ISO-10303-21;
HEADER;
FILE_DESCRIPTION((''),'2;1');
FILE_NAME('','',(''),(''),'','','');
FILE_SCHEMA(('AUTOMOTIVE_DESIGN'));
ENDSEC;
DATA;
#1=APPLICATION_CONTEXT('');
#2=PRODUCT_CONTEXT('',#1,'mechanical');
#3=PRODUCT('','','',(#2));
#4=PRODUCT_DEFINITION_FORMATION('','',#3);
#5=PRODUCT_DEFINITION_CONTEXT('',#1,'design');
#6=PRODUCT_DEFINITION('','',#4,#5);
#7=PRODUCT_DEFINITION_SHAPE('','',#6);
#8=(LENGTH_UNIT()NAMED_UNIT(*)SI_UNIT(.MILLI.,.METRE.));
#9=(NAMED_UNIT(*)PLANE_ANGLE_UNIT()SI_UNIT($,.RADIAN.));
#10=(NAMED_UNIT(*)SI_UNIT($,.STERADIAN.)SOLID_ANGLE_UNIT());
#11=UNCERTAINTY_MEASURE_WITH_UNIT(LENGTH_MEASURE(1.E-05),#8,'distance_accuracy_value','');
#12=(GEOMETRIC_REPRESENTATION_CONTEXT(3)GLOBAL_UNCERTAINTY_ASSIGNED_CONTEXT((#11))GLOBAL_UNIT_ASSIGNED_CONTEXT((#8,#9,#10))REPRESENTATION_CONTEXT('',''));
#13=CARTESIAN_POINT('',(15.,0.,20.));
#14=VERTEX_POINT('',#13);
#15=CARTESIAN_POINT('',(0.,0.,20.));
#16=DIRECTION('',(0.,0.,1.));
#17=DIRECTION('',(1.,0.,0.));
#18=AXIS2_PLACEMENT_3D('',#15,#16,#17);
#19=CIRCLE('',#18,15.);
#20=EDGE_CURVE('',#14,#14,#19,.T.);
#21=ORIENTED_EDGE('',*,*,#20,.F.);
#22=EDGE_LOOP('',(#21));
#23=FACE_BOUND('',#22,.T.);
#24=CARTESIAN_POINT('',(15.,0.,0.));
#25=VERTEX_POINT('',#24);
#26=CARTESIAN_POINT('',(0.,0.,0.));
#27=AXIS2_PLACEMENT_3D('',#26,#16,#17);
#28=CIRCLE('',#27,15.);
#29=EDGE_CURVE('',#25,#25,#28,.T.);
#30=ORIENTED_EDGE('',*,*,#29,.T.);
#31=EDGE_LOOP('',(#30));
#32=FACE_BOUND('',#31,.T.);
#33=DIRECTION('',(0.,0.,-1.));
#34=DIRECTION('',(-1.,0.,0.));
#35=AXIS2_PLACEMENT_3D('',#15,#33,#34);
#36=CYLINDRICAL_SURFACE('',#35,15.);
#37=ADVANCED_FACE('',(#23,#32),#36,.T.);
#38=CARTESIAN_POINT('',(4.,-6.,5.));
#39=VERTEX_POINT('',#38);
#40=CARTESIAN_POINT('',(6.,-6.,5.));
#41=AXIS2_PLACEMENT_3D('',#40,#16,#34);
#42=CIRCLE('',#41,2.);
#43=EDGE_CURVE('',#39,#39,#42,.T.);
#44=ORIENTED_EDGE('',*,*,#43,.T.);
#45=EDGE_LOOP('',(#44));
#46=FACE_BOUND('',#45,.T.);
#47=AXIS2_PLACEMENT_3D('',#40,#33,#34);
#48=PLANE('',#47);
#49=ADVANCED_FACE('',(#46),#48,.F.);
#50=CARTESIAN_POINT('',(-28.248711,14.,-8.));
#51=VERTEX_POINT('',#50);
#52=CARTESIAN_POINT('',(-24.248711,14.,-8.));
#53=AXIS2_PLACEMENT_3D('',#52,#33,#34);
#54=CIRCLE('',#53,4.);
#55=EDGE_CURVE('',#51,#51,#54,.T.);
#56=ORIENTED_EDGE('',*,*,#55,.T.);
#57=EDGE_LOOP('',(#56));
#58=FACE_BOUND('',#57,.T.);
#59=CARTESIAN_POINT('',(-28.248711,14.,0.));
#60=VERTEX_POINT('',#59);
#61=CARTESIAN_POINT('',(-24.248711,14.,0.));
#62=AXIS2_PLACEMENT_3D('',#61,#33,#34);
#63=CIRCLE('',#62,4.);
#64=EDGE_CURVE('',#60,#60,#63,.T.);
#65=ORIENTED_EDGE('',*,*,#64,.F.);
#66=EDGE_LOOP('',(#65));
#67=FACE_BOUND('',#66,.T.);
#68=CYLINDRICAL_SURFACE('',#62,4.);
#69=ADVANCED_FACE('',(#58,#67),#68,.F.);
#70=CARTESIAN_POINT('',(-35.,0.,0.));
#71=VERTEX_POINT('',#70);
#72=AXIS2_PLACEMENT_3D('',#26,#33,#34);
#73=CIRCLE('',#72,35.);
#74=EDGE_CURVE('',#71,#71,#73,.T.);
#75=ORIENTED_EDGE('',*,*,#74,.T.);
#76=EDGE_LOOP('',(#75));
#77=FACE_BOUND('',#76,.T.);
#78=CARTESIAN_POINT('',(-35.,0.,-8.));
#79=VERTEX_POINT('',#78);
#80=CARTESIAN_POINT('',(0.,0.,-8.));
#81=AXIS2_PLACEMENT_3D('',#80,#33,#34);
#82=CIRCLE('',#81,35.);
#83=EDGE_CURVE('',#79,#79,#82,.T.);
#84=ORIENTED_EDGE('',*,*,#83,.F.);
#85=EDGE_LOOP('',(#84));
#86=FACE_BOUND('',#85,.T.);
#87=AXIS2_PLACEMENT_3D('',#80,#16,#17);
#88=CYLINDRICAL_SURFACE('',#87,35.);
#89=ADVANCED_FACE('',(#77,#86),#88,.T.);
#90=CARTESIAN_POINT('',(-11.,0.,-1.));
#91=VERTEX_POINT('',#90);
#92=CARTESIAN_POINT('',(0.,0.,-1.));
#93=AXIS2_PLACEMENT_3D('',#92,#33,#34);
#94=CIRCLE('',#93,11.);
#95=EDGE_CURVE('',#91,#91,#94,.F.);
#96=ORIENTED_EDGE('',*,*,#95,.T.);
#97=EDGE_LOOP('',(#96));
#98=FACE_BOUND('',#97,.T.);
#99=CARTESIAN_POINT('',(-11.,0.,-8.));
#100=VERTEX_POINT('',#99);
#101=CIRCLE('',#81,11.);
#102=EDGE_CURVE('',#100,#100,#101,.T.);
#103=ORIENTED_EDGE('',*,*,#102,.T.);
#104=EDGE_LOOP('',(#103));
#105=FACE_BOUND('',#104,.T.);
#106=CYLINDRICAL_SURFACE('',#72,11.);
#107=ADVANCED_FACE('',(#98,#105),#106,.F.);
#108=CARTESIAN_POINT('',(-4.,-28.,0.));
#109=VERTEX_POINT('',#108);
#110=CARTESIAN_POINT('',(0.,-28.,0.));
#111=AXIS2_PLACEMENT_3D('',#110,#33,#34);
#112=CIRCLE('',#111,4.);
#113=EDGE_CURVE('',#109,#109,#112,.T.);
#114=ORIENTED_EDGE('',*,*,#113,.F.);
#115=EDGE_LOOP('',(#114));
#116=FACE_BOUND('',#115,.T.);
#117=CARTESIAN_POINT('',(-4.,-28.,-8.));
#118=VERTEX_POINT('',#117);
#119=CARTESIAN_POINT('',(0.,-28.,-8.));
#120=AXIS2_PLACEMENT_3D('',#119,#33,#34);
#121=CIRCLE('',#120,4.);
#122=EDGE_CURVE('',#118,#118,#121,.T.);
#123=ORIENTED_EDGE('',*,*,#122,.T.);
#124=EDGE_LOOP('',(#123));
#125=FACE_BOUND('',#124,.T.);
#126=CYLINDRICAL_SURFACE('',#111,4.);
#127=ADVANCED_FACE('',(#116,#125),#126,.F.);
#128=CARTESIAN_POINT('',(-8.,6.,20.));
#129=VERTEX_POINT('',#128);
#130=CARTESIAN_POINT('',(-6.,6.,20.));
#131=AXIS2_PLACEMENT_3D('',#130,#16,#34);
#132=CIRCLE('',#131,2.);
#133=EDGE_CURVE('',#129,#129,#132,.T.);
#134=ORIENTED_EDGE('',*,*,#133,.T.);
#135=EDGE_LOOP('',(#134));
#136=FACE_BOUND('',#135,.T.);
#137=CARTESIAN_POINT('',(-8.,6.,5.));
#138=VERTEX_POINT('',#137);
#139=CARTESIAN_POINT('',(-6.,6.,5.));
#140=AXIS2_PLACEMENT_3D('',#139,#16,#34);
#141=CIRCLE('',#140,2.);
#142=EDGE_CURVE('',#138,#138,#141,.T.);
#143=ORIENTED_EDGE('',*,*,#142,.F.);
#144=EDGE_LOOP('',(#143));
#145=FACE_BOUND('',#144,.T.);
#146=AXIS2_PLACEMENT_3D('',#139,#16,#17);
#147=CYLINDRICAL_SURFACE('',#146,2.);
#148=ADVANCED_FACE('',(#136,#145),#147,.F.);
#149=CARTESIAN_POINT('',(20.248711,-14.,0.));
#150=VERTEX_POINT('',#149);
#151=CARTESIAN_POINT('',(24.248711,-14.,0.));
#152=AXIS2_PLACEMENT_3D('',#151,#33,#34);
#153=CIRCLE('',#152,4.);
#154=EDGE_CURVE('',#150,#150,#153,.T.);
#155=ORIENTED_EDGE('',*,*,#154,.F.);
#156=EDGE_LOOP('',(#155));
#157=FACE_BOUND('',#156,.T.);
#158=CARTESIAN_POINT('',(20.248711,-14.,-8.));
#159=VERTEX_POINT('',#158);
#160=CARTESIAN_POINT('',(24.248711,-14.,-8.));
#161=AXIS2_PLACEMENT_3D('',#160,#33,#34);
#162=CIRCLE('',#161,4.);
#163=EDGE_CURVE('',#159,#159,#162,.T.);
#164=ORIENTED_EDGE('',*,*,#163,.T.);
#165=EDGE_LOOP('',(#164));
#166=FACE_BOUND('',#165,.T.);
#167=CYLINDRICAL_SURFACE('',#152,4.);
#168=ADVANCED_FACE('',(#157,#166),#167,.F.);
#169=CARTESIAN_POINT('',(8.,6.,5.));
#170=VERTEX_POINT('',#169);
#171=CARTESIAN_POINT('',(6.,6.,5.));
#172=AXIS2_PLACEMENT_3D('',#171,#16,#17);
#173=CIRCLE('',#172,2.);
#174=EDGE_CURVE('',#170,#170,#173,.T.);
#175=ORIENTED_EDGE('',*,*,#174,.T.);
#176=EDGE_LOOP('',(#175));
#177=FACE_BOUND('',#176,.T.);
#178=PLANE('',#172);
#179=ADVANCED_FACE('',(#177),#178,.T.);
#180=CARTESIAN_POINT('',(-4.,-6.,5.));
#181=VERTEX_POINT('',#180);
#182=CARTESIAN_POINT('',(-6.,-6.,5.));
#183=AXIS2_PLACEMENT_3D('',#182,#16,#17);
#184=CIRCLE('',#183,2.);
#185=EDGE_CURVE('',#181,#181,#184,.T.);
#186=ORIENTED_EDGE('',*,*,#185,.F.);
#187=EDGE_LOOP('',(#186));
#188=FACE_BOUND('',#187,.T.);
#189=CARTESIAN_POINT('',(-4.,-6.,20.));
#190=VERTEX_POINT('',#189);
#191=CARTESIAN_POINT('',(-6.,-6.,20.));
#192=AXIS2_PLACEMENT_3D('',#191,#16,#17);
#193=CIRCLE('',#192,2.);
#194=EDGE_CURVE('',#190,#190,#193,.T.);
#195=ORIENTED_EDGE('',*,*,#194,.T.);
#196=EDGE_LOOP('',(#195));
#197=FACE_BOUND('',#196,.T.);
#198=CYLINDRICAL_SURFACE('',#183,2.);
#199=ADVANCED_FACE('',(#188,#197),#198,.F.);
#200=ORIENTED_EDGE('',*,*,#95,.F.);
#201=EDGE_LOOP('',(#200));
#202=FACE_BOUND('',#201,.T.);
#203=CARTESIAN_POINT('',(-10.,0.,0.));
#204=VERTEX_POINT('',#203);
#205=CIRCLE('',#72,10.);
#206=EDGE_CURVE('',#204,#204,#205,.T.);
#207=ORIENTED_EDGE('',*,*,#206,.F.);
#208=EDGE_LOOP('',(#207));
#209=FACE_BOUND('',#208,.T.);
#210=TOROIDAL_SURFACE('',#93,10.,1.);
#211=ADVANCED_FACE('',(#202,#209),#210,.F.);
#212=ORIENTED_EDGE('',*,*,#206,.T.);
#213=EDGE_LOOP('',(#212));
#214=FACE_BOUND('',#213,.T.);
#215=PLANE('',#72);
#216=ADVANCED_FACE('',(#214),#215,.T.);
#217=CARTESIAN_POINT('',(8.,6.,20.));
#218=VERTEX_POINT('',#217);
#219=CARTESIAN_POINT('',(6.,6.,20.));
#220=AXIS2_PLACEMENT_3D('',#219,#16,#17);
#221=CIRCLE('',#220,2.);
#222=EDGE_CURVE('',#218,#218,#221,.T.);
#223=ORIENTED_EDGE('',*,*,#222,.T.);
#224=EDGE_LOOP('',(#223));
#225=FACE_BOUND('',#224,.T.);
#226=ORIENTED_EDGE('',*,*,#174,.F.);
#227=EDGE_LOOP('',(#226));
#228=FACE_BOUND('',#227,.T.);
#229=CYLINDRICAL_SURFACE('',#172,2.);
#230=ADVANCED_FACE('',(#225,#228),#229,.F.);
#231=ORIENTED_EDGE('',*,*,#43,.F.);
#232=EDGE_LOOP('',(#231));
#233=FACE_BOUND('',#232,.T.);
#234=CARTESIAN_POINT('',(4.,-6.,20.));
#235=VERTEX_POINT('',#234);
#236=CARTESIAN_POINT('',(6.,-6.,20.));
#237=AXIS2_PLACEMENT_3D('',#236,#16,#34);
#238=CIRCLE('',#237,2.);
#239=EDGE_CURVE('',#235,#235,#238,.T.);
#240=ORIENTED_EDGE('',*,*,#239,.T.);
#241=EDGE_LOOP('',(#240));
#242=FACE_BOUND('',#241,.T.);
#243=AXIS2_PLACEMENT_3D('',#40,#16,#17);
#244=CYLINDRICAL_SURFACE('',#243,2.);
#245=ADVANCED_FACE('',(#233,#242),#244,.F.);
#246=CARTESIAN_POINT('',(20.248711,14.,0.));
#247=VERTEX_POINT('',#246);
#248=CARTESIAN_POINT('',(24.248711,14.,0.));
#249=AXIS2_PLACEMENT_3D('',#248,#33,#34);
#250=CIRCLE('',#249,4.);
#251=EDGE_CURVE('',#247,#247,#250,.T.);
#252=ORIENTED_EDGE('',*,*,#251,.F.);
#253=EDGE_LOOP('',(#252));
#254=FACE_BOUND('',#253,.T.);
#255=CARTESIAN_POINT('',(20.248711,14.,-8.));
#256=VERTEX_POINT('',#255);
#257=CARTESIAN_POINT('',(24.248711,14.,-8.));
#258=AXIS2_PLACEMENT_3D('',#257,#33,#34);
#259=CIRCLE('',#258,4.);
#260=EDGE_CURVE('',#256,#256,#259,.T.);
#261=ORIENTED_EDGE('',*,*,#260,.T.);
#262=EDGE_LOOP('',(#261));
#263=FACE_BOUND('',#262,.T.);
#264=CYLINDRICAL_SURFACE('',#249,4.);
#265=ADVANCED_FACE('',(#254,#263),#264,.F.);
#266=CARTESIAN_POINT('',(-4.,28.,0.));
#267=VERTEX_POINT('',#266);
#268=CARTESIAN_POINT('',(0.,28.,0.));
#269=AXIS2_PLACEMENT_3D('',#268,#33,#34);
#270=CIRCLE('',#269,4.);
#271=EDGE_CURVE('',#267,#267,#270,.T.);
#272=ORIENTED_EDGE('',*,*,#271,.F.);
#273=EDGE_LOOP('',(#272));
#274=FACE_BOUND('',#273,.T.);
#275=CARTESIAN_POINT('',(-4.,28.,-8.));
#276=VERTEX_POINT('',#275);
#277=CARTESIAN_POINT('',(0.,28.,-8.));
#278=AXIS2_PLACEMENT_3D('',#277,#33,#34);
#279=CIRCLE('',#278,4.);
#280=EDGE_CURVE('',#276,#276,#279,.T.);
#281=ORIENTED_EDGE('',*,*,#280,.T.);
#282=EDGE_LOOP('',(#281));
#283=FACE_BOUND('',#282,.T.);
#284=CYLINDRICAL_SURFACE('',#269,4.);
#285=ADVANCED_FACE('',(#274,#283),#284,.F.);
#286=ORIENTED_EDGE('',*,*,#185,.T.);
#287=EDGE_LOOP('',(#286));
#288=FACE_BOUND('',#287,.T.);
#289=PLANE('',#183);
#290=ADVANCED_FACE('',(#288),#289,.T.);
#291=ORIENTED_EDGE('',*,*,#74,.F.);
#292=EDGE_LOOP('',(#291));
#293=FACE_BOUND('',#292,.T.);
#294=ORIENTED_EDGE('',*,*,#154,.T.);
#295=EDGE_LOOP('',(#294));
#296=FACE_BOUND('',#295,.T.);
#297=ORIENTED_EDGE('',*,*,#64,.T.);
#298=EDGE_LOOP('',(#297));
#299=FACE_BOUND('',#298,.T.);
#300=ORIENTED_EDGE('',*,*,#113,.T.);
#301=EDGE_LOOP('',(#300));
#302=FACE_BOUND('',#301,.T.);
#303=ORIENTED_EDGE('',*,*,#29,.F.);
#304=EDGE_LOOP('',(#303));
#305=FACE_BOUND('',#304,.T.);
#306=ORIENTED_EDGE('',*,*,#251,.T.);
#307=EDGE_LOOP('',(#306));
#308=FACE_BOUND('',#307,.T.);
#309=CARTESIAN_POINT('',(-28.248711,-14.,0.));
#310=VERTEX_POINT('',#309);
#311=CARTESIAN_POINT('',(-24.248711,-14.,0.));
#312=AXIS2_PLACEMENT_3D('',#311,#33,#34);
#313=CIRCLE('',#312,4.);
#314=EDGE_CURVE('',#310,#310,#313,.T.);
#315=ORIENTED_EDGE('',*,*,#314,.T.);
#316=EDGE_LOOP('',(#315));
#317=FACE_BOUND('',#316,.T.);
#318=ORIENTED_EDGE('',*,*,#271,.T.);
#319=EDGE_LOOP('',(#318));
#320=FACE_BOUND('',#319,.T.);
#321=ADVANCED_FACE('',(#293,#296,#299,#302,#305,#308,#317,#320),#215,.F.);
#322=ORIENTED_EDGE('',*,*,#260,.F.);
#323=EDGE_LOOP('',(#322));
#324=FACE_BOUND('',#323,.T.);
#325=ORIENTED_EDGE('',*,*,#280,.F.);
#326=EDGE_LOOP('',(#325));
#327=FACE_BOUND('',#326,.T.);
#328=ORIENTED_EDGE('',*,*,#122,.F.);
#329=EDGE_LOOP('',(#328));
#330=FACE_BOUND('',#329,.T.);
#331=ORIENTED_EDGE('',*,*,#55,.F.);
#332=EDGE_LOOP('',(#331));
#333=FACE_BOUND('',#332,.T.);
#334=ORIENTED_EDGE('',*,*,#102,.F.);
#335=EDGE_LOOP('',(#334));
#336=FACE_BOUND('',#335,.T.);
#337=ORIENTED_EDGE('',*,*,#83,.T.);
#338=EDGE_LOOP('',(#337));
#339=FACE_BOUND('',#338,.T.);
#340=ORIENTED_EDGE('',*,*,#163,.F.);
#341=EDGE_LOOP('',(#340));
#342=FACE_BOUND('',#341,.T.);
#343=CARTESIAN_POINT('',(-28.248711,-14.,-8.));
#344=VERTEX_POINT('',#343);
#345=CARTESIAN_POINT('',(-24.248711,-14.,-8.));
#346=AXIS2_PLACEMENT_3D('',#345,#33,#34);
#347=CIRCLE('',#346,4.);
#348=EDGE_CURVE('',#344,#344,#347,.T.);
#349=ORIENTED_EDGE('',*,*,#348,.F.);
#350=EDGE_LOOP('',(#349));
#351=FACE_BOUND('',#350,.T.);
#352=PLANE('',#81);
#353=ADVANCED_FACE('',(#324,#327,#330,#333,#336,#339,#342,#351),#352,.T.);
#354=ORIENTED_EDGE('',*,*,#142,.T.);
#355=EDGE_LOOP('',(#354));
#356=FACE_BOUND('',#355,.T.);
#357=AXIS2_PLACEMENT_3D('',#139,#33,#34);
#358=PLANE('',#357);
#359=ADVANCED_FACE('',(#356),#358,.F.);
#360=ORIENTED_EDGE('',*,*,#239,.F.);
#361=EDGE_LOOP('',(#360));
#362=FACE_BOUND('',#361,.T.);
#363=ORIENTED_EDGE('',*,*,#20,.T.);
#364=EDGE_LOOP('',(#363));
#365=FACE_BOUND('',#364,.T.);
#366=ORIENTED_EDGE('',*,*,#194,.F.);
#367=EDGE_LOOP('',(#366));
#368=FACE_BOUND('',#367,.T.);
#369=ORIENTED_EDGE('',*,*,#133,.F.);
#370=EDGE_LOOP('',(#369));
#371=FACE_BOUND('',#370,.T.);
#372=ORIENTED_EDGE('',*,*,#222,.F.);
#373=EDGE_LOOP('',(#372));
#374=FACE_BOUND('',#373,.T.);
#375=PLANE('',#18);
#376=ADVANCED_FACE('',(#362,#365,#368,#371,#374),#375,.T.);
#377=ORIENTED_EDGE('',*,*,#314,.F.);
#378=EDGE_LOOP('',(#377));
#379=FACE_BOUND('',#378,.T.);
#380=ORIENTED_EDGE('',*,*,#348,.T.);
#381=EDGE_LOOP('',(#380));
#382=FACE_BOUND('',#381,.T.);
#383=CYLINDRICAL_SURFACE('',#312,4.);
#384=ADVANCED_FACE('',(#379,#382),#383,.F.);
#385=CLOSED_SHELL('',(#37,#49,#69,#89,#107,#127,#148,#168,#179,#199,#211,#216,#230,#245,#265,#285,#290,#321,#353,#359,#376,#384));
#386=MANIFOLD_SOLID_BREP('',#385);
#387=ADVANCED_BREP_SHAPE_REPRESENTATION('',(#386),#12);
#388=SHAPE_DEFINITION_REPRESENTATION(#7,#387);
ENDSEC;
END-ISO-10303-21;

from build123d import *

# Parameters (mm, degrees)
SKETCH1_R           = 15
BOSS_EXTRUDE1_DEPTH = 20
SKETCH3_R           = 35
BOSS_EXTRUDE3_DEPTH = 8
SKETCH4_R           = 4
CUT_EXTRUDE1_DEPTH  = 8
SKETCH5_R           = 11
CUT_EXTRUDE2_DEPTH  = 8
SKETCH6_R           = 2
CUT_EXTRUDE3_DEPTH  = 15
FILLET1_R           = 1


with BuildPart() as part:
    # Sketch1 → Boss-Extrude1 (new body)
    with BuildSketch(Plane.XY):
        Circle(SKETCH1_R)
    extrude(amount=BOSS_EXTRUDE1_DEPTH)

    # Sketch3 → Boss-Extrude3 (add)
    with BuildSketch(Plane(origin=(0, 0, 0), x_dir=(-1, 0, 0), z_dir=(0, 0, -1))):
        Circle(SKETCH3_R)
    extrude(amount=BOSS_EXTRUDE3_DEPTH)

    # Sketch4 → Cut-Extrude1 (cut)
    with BuildSketch(Plane(origin=(0, 0, -8), x_dir=(-1, 0, 0), z_dir=(0, 0, -1))):
        with Locations((0, 28)):
            Circle(SKETCH4_R)
        with Locations((24.248711306, 14)):
            Circle(SKETCH4_R)
        with Locations((24.248711306, -14)):
            Circle(SKETCH4_R)
        with Locations((0, -28)):
            Circle(SKETCH4_R)
        with Locations((-24.248711306, -14)):
            Circle(SKETCH4_R)
        with Locations((-24.248711306, 14)):
            Circle(SKETCH4_R)
    extrude(amount=-CUT_EXTRUDE1_DEPTH, mode=Mode.SUBTRACT)

    # Sketch5 → Cut-Extrude2 (cut)
    with BuildSketch(Plane(origin=(0, 0, -8), x_dir=(-1, 0, 0), z_dir=(0, 0, -1))):
        Circle(SKETCH5_R)
    extrude(amount=-CUT_EXTRUDE2_DEPTH, mode=Mode.SUBTRACT)

    # Sketch6 → Cut-Extrude3 (cut)
    with BuildSketch(Plane.XY.offset(20)):
        with Locations((6, 6)):
            Circle(SKETCH6_R)
        with Locations(Location((-6, 6, 0), (0, 0, 180))):
            Circle(SKETCH6_R)
        with Locations(Location((6, -6, 0), (0, 0, 180))):
            Circle(SKETCH6_R)
        with Locations((-6, -6)):
            Circle(SKETCH6_R)
    extrude(amount=-CUT_EXTRUDE3_DEPTH, mode=Mode.SUBTRACT)

    # Fillet1
    fillet1_edges = [part.edges().sort_by_distance(p)[0] for p in [
        (11, 0, 0),
    ]]
    fillet(fillet1_edges, radius=FILLET1_R)


solid = part.part
